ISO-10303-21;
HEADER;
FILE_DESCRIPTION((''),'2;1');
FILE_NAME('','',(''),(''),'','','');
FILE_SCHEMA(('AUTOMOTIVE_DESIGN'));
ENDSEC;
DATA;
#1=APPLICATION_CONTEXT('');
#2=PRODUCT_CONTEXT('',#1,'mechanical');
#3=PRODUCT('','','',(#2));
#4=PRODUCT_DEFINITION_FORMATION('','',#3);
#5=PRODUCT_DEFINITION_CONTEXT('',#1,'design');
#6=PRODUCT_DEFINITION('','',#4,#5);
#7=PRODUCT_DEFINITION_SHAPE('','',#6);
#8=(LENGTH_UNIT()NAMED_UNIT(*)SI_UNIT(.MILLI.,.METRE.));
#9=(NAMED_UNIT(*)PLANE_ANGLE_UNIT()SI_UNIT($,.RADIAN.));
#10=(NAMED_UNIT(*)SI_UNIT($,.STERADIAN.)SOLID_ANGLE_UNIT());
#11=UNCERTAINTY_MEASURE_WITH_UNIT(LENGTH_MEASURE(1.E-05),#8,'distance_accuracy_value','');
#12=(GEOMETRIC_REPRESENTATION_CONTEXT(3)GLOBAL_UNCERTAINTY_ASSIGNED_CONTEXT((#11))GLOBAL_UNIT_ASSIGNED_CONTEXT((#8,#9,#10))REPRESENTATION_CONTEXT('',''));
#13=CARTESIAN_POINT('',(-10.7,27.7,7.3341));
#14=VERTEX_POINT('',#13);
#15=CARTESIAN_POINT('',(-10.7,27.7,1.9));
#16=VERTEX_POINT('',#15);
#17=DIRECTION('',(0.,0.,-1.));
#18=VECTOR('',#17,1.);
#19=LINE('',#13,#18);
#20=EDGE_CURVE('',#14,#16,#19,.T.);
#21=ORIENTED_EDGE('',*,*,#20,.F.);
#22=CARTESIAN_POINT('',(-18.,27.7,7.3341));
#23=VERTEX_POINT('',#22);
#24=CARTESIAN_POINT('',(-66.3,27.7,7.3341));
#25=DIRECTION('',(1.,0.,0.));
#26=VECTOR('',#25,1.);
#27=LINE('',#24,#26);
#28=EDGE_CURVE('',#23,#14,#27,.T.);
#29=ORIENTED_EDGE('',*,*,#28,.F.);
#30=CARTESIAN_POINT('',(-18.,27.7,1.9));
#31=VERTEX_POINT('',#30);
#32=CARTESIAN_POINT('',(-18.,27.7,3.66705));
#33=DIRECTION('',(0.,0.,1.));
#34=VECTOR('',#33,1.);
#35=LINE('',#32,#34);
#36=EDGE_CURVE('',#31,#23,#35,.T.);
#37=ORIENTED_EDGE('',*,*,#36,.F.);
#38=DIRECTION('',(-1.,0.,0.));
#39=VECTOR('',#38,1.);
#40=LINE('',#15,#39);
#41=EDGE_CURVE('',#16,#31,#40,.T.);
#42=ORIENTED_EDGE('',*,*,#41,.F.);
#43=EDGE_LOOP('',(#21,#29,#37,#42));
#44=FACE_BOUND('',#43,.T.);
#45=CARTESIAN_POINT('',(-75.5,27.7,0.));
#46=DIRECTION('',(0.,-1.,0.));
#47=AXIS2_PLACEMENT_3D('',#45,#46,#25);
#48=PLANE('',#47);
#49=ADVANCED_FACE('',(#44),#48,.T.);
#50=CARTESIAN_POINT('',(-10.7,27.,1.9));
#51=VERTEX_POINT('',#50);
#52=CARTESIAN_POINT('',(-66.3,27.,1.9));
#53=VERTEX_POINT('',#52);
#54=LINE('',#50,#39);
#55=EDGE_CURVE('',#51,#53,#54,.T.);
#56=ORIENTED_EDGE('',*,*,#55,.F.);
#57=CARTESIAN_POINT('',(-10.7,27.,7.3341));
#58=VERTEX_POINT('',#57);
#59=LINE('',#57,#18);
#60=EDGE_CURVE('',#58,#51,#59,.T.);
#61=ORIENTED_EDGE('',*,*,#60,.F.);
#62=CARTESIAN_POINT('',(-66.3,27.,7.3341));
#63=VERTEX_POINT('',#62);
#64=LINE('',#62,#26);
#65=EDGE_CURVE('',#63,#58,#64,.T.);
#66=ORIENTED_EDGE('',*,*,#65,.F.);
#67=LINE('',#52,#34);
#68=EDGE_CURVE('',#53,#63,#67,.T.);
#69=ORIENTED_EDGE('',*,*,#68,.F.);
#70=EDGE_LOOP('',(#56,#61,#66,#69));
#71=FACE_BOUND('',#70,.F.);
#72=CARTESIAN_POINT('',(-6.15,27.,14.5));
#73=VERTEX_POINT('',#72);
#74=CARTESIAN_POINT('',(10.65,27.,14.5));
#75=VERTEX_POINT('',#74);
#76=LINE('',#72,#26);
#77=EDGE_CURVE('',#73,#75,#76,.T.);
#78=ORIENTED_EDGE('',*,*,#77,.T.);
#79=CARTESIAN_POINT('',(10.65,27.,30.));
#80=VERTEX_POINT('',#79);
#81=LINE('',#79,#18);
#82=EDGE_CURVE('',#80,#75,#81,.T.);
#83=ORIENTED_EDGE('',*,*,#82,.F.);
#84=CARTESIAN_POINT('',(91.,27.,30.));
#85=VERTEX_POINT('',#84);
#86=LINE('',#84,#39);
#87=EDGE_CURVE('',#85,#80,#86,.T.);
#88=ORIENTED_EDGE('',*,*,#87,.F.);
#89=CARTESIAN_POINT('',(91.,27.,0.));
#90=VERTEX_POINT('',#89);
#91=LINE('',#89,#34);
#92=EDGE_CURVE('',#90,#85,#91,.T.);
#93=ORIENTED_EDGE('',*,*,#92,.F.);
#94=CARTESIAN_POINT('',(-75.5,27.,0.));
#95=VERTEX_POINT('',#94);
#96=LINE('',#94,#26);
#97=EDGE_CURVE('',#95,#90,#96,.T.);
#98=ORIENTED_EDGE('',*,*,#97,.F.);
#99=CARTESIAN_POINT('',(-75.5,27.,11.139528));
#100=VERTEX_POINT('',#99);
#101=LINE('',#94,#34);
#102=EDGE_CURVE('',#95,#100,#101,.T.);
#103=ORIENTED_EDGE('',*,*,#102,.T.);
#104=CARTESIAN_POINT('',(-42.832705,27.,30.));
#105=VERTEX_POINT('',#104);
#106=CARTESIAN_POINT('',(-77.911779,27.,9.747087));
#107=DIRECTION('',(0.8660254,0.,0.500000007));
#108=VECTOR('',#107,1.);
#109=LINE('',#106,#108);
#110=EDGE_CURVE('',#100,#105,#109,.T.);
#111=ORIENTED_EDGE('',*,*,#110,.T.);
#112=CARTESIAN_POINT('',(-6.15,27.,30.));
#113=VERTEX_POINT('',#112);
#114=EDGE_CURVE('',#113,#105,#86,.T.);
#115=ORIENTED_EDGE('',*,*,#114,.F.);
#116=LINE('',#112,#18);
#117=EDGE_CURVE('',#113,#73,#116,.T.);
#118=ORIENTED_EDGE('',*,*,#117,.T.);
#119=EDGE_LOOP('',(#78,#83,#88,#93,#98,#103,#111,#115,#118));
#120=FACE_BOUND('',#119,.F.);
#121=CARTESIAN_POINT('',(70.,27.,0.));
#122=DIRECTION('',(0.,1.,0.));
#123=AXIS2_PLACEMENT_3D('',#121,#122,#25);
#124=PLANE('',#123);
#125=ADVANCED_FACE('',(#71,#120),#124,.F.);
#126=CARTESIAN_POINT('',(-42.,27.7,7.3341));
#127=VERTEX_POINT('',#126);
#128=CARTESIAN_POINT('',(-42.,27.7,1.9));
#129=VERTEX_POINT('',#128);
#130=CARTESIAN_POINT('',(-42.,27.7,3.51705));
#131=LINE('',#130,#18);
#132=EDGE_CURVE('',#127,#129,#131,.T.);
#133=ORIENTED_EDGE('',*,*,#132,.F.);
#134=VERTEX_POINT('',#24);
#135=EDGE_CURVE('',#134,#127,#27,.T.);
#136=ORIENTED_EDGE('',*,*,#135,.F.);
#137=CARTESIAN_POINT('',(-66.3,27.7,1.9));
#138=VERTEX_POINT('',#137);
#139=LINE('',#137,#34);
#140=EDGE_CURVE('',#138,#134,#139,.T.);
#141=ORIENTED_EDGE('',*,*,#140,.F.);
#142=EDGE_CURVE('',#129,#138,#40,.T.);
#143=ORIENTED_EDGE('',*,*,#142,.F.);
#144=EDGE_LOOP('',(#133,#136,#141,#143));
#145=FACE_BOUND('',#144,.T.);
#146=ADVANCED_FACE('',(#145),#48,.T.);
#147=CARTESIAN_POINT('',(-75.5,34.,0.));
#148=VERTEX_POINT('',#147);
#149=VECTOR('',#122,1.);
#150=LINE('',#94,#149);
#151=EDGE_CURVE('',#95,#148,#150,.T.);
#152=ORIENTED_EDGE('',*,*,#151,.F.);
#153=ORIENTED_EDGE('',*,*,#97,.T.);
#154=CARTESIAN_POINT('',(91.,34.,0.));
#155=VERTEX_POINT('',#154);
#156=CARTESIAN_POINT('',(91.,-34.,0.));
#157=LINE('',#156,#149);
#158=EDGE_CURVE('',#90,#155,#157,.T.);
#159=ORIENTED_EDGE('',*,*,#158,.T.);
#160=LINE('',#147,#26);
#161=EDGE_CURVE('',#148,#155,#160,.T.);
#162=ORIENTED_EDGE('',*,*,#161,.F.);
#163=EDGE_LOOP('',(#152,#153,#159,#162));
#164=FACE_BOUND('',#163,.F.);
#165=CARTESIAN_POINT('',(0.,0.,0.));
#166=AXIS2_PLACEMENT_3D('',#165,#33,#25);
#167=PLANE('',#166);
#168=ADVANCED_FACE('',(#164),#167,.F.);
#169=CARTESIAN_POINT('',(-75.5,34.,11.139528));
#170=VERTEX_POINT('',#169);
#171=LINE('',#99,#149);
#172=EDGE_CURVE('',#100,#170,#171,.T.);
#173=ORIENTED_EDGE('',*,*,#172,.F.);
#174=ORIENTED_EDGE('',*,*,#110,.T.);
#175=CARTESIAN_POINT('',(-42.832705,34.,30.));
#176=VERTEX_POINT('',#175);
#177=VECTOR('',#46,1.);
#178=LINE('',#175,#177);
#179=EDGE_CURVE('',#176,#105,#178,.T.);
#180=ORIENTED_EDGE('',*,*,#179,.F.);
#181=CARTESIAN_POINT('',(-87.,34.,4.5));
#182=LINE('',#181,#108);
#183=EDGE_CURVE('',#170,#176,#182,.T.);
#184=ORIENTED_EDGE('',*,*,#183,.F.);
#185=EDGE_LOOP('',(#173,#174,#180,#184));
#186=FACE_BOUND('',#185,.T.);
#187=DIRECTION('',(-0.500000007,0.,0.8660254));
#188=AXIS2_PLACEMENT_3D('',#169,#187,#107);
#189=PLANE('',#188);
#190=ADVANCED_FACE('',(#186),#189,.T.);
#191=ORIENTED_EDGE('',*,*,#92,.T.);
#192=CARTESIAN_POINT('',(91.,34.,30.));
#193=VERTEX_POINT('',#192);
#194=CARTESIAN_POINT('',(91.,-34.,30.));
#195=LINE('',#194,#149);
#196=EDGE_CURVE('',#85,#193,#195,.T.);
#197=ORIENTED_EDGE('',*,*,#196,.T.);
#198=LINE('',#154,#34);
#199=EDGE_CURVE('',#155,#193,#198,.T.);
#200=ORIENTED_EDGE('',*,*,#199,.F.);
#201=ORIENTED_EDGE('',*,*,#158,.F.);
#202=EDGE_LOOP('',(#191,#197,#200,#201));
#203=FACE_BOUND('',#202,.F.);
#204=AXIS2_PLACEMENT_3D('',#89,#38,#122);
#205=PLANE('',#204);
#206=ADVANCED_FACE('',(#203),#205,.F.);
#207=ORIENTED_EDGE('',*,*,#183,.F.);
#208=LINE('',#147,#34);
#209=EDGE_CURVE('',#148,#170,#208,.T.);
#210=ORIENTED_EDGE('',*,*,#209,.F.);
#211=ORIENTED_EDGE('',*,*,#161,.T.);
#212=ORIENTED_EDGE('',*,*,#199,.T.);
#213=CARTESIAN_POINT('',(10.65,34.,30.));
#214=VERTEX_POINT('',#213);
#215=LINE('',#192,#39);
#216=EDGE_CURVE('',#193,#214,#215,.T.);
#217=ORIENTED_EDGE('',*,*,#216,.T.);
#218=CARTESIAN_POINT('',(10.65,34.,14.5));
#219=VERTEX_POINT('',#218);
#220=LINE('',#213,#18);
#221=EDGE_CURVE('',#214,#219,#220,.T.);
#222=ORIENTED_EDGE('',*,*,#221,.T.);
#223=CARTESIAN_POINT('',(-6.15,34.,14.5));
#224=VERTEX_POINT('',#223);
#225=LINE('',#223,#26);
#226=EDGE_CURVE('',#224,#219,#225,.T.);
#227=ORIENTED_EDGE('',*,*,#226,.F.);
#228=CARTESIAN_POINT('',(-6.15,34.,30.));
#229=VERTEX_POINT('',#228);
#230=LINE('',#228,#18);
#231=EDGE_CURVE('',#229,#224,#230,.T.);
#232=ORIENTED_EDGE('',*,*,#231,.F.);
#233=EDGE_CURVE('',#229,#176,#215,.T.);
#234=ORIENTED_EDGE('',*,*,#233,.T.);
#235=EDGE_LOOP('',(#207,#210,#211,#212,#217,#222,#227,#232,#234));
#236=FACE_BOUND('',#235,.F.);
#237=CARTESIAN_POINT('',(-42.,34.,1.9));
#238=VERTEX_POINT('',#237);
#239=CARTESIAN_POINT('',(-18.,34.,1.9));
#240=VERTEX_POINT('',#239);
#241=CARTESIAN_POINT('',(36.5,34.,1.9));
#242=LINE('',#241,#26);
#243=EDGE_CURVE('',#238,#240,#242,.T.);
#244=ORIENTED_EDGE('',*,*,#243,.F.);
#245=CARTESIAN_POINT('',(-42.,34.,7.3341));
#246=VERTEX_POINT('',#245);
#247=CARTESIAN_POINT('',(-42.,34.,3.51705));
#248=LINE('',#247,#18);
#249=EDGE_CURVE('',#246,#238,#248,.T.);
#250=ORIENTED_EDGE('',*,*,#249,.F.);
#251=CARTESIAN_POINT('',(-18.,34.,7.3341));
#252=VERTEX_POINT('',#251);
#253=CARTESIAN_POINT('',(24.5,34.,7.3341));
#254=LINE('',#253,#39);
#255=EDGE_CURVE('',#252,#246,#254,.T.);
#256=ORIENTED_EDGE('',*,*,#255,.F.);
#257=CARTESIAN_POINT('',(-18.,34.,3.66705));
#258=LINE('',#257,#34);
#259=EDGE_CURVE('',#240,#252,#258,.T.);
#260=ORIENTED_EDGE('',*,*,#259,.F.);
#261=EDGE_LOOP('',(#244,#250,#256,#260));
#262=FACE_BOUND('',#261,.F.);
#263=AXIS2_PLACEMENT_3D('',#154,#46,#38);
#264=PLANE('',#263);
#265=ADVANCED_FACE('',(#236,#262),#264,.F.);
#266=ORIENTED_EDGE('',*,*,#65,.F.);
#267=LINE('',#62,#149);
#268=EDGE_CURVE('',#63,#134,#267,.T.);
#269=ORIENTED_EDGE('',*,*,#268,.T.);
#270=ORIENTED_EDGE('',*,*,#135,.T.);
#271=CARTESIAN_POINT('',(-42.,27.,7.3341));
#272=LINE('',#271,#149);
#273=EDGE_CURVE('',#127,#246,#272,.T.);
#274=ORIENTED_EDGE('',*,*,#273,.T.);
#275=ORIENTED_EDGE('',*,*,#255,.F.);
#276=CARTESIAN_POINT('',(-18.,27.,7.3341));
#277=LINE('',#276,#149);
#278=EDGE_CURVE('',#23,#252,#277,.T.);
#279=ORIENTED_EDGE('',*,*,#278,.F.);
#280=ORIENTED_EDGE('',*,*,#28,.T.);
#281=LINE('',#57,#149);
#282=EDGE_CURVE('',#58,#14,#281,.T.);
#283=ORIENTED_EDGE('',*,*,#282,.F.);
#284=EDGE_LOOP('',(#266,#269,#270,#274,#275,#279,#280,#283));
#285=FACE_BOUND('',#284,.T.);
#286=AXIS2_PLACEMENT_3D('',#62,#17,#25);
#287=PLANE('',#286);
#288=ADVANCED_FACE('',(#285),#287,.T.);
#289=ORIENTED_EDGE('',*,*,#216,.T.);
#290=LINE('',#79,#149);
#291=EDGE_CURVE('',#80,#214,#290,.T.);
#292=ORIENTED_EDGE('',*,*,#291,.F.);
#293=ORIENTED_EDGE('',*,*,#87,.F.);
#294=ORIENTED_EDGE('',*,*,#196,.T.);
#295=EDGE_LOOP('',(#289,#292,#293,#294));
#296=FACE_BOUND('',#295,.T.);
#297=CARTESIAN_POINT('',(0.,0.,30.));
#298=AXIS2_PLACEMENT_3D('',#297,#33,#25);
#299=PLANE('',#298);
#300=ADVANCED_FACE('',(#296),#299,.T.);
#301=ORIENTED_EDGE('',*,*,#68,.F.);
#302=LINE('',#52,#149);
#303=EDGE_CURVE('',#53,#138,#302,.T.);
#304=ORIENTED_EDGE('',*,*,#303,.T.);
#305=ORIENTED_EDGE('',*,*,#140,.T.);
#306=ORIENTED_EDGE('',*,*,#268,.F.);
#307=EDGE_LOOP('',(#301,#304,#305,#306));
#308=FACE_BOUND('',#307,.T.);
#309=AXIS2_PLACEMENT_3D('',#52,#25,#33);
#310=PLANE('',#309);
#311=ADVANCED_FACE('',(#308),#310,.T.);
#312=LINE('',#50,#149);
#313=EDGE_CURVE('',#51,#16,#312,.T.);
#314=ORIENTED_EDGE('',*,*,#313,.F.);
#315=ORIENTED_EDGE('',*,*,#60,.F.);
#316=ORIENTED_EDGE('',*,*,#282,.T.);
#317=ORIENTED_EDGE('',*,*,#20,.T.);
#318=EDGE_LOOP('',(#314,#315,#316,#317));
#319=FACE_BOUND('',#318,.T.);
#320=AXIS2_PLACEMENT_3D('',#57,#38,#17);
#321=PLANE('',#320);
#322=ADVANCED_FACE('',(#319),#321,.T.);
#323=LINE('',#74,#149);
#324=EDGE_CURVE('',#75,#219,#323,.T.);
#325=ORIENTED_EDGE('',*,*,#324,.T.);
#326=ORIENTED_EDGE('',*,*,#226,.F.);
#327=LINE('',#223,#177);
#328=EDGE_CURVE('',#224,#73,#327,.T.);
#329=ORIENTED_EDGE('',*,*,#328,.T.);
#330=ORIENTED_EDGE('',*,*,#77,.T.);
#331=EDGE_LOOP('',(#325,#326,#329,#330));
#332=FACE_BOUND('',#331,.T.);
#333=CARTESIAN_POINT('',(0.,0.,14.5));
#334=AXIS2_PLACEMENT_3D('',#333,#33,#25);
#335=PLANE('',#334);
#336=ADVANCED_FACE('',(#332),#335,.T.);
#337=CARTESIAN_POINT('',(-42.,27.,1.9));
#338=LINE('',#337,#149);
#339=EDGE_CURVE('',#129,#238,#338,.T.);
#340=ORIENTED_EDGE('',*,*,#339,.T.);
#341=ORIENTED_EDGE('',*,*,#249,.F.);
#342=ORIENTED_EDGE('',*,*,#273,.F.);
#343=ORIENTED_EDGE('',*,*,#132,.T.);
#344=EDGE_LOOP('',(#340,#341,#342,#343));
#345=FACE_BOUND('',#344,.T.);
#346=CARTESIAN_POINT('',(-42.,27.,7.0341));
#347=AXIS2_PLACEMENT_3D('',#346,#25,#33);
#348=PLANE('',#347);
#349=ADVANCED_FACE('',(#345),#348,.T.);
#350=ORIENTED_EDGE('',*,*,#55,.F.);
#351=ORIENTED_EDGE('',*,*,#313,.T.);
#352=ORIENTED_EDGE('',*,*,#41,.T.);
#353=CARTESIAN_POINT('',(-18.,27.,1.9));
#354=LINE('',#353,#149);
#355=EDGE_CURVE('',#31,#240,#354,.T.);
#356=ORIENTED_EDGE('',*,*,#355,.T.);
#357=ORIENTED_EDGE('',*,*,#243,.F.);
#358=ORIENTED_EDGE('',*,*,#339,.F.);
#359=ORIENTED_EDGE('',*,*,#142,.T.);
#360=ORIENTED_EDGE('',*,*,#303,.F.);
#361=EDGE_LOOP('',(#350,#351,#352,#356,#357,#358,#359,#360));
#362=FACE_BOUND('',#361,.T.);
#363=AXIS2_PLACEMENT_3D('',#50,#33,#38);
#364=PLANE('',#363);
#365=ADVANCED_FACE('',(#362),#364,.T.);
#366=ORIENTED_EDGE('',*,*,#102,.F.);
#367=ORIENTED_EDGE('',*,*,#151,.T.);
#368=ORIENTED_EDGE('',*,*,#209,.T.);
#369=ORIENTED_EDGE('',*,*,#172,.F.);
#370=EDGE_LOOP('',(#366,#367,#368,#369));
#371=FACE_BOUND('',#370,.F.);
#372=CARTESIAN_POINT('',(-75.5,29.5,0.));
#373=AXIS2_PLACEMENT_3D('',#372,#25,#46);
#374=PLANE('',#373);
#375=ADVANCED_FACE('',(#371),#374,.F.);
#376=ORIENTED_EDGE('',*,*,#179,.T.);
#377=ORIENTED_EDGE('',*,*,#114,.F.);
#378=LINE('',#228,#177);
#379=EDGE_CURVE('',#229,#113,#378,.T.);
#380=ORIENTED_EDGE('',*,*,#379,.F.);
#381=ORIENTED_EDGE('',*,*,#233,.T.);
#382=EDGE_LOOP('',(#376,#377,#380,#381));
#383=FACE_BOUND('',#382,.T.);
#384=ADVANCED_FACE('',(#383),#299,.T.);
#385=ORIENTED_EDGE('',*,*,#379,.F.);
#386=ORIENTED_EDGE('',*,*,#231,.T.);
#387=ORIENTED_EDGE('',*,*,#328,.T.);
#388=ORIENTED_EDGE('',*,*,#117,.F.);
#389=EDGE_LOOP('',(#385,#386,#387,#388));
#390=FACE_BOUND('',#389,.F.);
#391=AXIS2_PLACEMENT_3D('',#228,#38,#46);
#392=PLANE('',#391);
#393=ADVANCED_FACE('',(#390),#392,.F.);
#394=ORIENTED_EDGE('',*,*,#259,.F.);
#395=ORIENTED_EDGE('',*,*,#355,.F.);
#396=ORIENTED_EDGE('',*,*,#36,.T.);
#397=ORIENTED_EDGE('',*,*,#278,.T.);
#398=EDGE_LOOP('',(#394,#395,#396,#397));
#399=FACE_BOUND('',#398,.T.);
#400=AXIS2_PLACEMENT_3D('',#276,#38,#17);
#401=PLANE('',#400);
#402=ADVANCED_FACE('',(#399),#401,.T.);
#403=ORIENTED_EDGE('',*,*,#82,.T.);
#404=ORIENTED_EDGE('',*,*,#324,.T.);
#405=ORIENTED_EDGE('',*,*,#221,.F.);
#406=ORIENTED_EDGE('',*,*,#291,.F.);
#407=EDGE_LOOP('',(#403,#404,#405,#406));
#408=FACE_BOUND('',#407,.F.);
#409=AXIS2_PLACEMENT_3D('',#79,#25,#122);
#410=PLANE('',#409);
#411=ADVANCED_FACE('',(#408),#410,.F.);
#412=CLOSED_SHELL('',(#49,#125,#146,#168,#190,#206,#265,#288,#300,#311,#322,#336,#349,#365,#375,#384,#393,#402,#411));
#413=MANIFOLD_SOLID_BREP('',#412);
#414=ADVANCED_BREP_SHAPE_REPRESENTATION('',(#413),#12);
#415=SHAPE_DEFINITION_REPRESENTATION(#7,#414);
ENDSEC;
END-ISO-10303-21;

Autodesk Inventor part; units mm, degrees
ref_plane "YZ Plane" through (0, 0, 0) normal (1, 0, 0) x (0, 1, 0)
ref_plane "XZ Plane" through (0, 0, 0) normal (0, 1, 0) x (-1, 0, 0)
ref_plane "XY Plane" through (0, 0, 0) normal (0, 0, 1) x (1, 0, 0)
sketch "Sketch1" plane through (0, 0, 0) normal (0, 0, 1) x (1, 0, 0)
  line L0 (91, -34) -> (91, 34)
  line L1 (91, 34) -> (41, 34)
  line L2 (41, 34) -> (41, 89)
  line L3 (41, 89) -> (-91, 89)
  line L4 (-91, 89) -> (-91, -89)
  line L5 (-91, -89) -> (41, -89)
  line L6 (41, -89) -> (41, -34)
  line L7 (41, -34) -> (91, -34)
  line L8 (70, 27) -> (62, 27)
  line L9 (91, 34) -> (-87, 34)
  line L10 (-87, 34) -> (-87, 27)
  line L11 (-87, 27) -> (91, 27)
  line L12 (91, 27) -> (91, 34)
  circle A0 centre (-83, 21.5) radius 1.2295
  circle A1 centre (-83, -64.5) radius 1.2295
  circle A2 centre (-83, -21.5) radius 1.2295
  circle A3 centre (-83, 64.5) radius 1.2295
  line L13 (-85, -72) -> (-76, -72)
  line L14 (-76, -72) -> (-76, -57)
  line L15 (-76, -57) -> (-85, -57)
  arc A4 (-87, -55) -> (-85, -57) centre (-85, -55) ccw
  line L16 (-87, -55) -> (-87, -31)
  arc A5 (-85, -29) -> (-87, -31) centre (-85, -31) ccw
  line L17 (-85, -29) -> (-76, -29)
  line L18 (-76, -29) -> (-76, -14)
  line L19 (-76, -14) -> (-85, -14)
  arc A6 (-87, -12) -> (-85, -14) centre (-85, -12) ccw
  line L20 (-87, -12) -> (-87, 12)
  arc A7 (-85, 14) -> (-87, 12) centre (-85, 12) ccw
  line L21 (-85, 14) -> (-76, 14)
  line L22 (-76, 14) -> (-76, 29)
  line L23 (-76, 29) -> (-85, 29)
  arc A8 (-87, 31) -> (-85, 29) centre (-85, 31) ccw
  line L24 (-87, 31) -> (-87, 55)
  arc A9 (-85, 57) -> (-87, 55) centre (-85, 55) ccw
  line L25 (-85, 57) -> (-76, 57)
  line L26 (-76, 57) -> (-76, 72)
  line L27 (-76, 72) -> (-85, 72)
  arc A10 (-87, 74) -> (-85, 72) centre (-85, 74) ccw
  line L28 (-87, 74) -> (-87, 89)
  line L29 (-91, 89) -> (-87, 89)
  line L30 (-91, -89) -> (-91, 89)
  line L31 (-91, -89) -> (-87, -89)
  line L32 (-87, -89) -> (-87, -74)
  arc A11 (-85, -72) -> (-87, -74) centre (-85, -74) ccw
  line L33 (-91, 89.5) -> (-86.5, 89.5)
  line L34 (-86.5, 89.5) -> (-86.5, 74)
  arc A12 (-86.5, 74) -> (-85, 72.5) centre (-85, 74) ccw
  line L35 (-85, 72.5) -> (-75.5, 72.5)
  line L36 (-75.5, 72.5) -> (-75.5, 56.5)
  line L37 (-75.5, 56.5) -> (-85, 56.5)
  arc A13 (-85, 56.5) -> (-86.5, 55) centre (-85, 55) ccw
  line L38 (-86.5, 55) -> (-86.5, 31)
  arc A14 (-86.5, 31) -> (-85, 29.5) centre (-85, 31) ccw
  line L39 (-85, 29.5) -> (-75.5, 29.5)
  line L40 (-75.5, 29.5) -> (-75.5, 13.5)
  line L41 (-75.5, 13.5) -> (-85, 13.5)
  arc A15 (-85, 13.5) -> (-86.5, 12) centre (-85, 12) ccw
  line L42 (-86.5, 12) -> (-86.5, -12)
  arc A16 (-86.5, -12) -> (-85, -13.5) centre (-85, -12) ccw
  line L43 (-85, -13.5) -> (-75.5, -13.5)
  line L44 (-75.5, -13.5) -> (-75.5, -29.5)
  line L45 (-75.5, -29.5) -> (-85, -29.5)
  arc A17 (-85, -29.5) -> (-86.5, -31) centre (-85, -31) ccw
  line L46 (-86.5, -31) -> (-86.5, -55)
  arc A18 (-86.5, -55) -> (-85, -56.5) centre (-85, -55) ccw
  line L47 (-85, -56.5) -> (-75.5, -56.5)
  line L48 (-75.5, -56.5) -> (-75.5, -72.5)
  line L49 (-75.5, -72.5) -> (-85, -72.5)
  arc A19 (-85, -72.5) -> (-86.5, -74) centre (-85, -74) ccw
  line L50 (-86.5, -74) -> (-86.5, -89.5)
  line L51 (-86.5, -89.5) -> (-91, -89.5)
  line L52 (-86.5, 31) -> (-75.5, 31)
  line L53 (-75.5, 31) -> (-75.5, 29.5)
  line L54 (-75.5, 31) -> (-75.5, 34)
  point P0 (0, 0)
  point P1 (-75.5, 27)
  point P2 (-86.5, 34)
  dimension "d6" = 0.5
extrude "Extrusion1" add sketch "Sketch1" along normal blind 30 contours L11 L8 L40 L53 L54 L9 L1 L0
sketch "Sketch3" plane through (-86.5, 34, 0) normal (0, 1, 0) x (1, 0, 0)
  line L0 (-0.5, -4.5) -> (-0.5, 0)
  line L1 (-0.5, 0) -> (-4.5, 0)
  line L2 (-4.5, 0) -> (-4.5, 3.5)
  line L3 (-4.5, 3.5) -> (-18.5, 3.5)
  line L4 (-18.5, 3.5) -> (-4.5, -5.5)
  line L5 (-4.5, -5.5) -> (-4.5, -4.5)
  line L6 (-4.5, -4.5) -> (-0.5, -4.5)
  line L7 (-0.5, -4.5) -> (50.0525, -33.6865)
  line L8 (177.5, 0) -> (11, 0)
  line L9 (177.5, -30) -> (11, -30)
  line L10 (177.5, 0) -> (177.5, -30)
  line L11 (11, 0) -> (11, -30)
  point P0 (86.5, 0)
  point P1 (43.6673, -30)
  point P2 (11, -11.1395)
  dimension "d7" = 30
extrude "Extrusion4" cut sketch "Sketch3" against normal blind 30 contours L7 L9 L11
sketch "Sketch5" plane through (-75.5, 27, 0) normal (0, -1, 0) x (1, 0, 0)
  line L0 (56.5, 7.0341) -> (57.5, 7.0341)
  line L1 (34.5, 7.0341) -> (56.5, 7.0341)
  line L2 (33.5, 7.0341) -> (33.5, 6.6226)
  line L3 (33.5, 6.6226) -> (9.5, 6.6226)
  line L4 (9.5, 6.6226) -> (9.5, 7.0341)
  line L5 (9.5, 7.0341) -> (33.5, 7.0341)
  line L6 (64.5, 7.0341) -> (64.5, 6.6226)
  line L7 (64.5, 6.6226) -> (57.5, 6.6226)
  line L8 (57.5, 6.6226) -> (57.5, 7.0341)
  line L9 (57.5, 7.0341) -> (64.5, 7.0341)
  line L10 (9.5, 2) -> (9.5, 2.6226)
  line L11 (9.5, 2.6226) -> (64.5, 2.6226)
  line L12 (64.5, 2.6226) -> (64.5, 2)
  line L13 (64.5, 2) -> (9.5, 2)
  line L14 (9.5, 7.0341) -> (64.5, 7.0341)
  line L15 (64.5, 7.0341) -> (64.5, 2)
  line L16 (64.5, 2) -> (9.5, 2)
  line L17 (9.5, 2) -> (9.5, 7.0341)
  line L18 (9.2, 7.3341) -> (64.8, 7.3341)
  line L19 (64.8, 7.3341) -> (64.8, 1.9)
  line L20 (64.8, 1.9) -> (9.2, 1.9)
  line L21 (9.2, 1.9) -> (9.2, 7.3341)
  point P0 (75.5, 0)
  dimension "d19" = 0.3
  dimension "d20" = 0.3
  dimension "d21" = 0.1
  dimension "d22" = 0.3
extrude "Extrusion6" cut sketch "Sketch5" against normal blind 0.7 contours L0 L8 L7 L15 L11 L17 L3 L2 L14 L1 | L9 L6 L7 L8 | L2 L3 L4 L5 | L12 L13 L10 L11 | L18 L19 L20 L21
sketch "Sketch6" plane through (-75.5, 27, 0) normal (0, -1, 0) x (1, 0, 0)
  line L0 (33.5, 7.0341) -> (34.5, 7.0341)
  line L1 (34.5, 7.0341) -> (56.5, 7.0341)
  line L2 (56.5, 7.0341) -> (57.5, 7.0341)
  line L3 (64.8, 1.9) -> (9.2, 1.9)
  line L4 (64.8, 7.3341) -> (64.8, 1.9)
  line L5 (9.2, 7.3341) -> (64.8, 7.3341)
  line L6 (9.2, 1.9) -> (9.2, 7.3341)
  line L7 (33.5, 7.3341) -> (57.5, 7.3341)
  line L8 (57.5, 7.3341) -> (57.5, 1.9)
  line L9 (57.5, 1.9) -> (33.5, 1.9)
  line L10 (33.5, 1.9) -> (33.5, 7.3341)
  point P0 (75.5, 0)
extrude "Extrusion7" cut sketch "Sketch6" against normal up to next contours L10 L5 L8 L2 L1 L0 | L0 L1 L2 L8 L3 L10
sketch "Sketch7" plane through (0, 0, 30) normal (0, 0, 1) x (1, 0, 0)
  line L0 (10.25, -34) -> (10.25, 34)
  line L1 (10.25, 34) -> (-5.75, 34)
  line L2 (-5.75, -34) -> (-5.75, 34)
  line L3 (10.25, -34) -> (-5.75, -34)
  line L4 (-42.8327, 27) -> (91, 27)
  line L5 (10.25, 34) -> (-5.75, 34)
  line L6 (-5.75, 34) -> (-5.75, 27)
  line L7 (-5.75, 27) -> (10.25, 27)
  line L8 (10.25, 27) -> (10.25, 34)
  line L9 (10.65, 34) -> (-6.15, 34)
  line L10 (-6.15, 34) -> (-6.15, 27)
  line L11 (-6.15, 27) -> (10.65, 27)
  line L12 (10.65, 27) -> (10.65, 34)
  point P0 (0, 0)
  dimension "d27" = 0.4
  dimension "d28" = 0.4
extrude "Extrusion8" cut sketch "Sketch7" against normal blind 15.5 contours L4 L2 L1 L0 | L0 L9 L12 L4 | L4 L10 L9 L2
properties part number "right_hold"
